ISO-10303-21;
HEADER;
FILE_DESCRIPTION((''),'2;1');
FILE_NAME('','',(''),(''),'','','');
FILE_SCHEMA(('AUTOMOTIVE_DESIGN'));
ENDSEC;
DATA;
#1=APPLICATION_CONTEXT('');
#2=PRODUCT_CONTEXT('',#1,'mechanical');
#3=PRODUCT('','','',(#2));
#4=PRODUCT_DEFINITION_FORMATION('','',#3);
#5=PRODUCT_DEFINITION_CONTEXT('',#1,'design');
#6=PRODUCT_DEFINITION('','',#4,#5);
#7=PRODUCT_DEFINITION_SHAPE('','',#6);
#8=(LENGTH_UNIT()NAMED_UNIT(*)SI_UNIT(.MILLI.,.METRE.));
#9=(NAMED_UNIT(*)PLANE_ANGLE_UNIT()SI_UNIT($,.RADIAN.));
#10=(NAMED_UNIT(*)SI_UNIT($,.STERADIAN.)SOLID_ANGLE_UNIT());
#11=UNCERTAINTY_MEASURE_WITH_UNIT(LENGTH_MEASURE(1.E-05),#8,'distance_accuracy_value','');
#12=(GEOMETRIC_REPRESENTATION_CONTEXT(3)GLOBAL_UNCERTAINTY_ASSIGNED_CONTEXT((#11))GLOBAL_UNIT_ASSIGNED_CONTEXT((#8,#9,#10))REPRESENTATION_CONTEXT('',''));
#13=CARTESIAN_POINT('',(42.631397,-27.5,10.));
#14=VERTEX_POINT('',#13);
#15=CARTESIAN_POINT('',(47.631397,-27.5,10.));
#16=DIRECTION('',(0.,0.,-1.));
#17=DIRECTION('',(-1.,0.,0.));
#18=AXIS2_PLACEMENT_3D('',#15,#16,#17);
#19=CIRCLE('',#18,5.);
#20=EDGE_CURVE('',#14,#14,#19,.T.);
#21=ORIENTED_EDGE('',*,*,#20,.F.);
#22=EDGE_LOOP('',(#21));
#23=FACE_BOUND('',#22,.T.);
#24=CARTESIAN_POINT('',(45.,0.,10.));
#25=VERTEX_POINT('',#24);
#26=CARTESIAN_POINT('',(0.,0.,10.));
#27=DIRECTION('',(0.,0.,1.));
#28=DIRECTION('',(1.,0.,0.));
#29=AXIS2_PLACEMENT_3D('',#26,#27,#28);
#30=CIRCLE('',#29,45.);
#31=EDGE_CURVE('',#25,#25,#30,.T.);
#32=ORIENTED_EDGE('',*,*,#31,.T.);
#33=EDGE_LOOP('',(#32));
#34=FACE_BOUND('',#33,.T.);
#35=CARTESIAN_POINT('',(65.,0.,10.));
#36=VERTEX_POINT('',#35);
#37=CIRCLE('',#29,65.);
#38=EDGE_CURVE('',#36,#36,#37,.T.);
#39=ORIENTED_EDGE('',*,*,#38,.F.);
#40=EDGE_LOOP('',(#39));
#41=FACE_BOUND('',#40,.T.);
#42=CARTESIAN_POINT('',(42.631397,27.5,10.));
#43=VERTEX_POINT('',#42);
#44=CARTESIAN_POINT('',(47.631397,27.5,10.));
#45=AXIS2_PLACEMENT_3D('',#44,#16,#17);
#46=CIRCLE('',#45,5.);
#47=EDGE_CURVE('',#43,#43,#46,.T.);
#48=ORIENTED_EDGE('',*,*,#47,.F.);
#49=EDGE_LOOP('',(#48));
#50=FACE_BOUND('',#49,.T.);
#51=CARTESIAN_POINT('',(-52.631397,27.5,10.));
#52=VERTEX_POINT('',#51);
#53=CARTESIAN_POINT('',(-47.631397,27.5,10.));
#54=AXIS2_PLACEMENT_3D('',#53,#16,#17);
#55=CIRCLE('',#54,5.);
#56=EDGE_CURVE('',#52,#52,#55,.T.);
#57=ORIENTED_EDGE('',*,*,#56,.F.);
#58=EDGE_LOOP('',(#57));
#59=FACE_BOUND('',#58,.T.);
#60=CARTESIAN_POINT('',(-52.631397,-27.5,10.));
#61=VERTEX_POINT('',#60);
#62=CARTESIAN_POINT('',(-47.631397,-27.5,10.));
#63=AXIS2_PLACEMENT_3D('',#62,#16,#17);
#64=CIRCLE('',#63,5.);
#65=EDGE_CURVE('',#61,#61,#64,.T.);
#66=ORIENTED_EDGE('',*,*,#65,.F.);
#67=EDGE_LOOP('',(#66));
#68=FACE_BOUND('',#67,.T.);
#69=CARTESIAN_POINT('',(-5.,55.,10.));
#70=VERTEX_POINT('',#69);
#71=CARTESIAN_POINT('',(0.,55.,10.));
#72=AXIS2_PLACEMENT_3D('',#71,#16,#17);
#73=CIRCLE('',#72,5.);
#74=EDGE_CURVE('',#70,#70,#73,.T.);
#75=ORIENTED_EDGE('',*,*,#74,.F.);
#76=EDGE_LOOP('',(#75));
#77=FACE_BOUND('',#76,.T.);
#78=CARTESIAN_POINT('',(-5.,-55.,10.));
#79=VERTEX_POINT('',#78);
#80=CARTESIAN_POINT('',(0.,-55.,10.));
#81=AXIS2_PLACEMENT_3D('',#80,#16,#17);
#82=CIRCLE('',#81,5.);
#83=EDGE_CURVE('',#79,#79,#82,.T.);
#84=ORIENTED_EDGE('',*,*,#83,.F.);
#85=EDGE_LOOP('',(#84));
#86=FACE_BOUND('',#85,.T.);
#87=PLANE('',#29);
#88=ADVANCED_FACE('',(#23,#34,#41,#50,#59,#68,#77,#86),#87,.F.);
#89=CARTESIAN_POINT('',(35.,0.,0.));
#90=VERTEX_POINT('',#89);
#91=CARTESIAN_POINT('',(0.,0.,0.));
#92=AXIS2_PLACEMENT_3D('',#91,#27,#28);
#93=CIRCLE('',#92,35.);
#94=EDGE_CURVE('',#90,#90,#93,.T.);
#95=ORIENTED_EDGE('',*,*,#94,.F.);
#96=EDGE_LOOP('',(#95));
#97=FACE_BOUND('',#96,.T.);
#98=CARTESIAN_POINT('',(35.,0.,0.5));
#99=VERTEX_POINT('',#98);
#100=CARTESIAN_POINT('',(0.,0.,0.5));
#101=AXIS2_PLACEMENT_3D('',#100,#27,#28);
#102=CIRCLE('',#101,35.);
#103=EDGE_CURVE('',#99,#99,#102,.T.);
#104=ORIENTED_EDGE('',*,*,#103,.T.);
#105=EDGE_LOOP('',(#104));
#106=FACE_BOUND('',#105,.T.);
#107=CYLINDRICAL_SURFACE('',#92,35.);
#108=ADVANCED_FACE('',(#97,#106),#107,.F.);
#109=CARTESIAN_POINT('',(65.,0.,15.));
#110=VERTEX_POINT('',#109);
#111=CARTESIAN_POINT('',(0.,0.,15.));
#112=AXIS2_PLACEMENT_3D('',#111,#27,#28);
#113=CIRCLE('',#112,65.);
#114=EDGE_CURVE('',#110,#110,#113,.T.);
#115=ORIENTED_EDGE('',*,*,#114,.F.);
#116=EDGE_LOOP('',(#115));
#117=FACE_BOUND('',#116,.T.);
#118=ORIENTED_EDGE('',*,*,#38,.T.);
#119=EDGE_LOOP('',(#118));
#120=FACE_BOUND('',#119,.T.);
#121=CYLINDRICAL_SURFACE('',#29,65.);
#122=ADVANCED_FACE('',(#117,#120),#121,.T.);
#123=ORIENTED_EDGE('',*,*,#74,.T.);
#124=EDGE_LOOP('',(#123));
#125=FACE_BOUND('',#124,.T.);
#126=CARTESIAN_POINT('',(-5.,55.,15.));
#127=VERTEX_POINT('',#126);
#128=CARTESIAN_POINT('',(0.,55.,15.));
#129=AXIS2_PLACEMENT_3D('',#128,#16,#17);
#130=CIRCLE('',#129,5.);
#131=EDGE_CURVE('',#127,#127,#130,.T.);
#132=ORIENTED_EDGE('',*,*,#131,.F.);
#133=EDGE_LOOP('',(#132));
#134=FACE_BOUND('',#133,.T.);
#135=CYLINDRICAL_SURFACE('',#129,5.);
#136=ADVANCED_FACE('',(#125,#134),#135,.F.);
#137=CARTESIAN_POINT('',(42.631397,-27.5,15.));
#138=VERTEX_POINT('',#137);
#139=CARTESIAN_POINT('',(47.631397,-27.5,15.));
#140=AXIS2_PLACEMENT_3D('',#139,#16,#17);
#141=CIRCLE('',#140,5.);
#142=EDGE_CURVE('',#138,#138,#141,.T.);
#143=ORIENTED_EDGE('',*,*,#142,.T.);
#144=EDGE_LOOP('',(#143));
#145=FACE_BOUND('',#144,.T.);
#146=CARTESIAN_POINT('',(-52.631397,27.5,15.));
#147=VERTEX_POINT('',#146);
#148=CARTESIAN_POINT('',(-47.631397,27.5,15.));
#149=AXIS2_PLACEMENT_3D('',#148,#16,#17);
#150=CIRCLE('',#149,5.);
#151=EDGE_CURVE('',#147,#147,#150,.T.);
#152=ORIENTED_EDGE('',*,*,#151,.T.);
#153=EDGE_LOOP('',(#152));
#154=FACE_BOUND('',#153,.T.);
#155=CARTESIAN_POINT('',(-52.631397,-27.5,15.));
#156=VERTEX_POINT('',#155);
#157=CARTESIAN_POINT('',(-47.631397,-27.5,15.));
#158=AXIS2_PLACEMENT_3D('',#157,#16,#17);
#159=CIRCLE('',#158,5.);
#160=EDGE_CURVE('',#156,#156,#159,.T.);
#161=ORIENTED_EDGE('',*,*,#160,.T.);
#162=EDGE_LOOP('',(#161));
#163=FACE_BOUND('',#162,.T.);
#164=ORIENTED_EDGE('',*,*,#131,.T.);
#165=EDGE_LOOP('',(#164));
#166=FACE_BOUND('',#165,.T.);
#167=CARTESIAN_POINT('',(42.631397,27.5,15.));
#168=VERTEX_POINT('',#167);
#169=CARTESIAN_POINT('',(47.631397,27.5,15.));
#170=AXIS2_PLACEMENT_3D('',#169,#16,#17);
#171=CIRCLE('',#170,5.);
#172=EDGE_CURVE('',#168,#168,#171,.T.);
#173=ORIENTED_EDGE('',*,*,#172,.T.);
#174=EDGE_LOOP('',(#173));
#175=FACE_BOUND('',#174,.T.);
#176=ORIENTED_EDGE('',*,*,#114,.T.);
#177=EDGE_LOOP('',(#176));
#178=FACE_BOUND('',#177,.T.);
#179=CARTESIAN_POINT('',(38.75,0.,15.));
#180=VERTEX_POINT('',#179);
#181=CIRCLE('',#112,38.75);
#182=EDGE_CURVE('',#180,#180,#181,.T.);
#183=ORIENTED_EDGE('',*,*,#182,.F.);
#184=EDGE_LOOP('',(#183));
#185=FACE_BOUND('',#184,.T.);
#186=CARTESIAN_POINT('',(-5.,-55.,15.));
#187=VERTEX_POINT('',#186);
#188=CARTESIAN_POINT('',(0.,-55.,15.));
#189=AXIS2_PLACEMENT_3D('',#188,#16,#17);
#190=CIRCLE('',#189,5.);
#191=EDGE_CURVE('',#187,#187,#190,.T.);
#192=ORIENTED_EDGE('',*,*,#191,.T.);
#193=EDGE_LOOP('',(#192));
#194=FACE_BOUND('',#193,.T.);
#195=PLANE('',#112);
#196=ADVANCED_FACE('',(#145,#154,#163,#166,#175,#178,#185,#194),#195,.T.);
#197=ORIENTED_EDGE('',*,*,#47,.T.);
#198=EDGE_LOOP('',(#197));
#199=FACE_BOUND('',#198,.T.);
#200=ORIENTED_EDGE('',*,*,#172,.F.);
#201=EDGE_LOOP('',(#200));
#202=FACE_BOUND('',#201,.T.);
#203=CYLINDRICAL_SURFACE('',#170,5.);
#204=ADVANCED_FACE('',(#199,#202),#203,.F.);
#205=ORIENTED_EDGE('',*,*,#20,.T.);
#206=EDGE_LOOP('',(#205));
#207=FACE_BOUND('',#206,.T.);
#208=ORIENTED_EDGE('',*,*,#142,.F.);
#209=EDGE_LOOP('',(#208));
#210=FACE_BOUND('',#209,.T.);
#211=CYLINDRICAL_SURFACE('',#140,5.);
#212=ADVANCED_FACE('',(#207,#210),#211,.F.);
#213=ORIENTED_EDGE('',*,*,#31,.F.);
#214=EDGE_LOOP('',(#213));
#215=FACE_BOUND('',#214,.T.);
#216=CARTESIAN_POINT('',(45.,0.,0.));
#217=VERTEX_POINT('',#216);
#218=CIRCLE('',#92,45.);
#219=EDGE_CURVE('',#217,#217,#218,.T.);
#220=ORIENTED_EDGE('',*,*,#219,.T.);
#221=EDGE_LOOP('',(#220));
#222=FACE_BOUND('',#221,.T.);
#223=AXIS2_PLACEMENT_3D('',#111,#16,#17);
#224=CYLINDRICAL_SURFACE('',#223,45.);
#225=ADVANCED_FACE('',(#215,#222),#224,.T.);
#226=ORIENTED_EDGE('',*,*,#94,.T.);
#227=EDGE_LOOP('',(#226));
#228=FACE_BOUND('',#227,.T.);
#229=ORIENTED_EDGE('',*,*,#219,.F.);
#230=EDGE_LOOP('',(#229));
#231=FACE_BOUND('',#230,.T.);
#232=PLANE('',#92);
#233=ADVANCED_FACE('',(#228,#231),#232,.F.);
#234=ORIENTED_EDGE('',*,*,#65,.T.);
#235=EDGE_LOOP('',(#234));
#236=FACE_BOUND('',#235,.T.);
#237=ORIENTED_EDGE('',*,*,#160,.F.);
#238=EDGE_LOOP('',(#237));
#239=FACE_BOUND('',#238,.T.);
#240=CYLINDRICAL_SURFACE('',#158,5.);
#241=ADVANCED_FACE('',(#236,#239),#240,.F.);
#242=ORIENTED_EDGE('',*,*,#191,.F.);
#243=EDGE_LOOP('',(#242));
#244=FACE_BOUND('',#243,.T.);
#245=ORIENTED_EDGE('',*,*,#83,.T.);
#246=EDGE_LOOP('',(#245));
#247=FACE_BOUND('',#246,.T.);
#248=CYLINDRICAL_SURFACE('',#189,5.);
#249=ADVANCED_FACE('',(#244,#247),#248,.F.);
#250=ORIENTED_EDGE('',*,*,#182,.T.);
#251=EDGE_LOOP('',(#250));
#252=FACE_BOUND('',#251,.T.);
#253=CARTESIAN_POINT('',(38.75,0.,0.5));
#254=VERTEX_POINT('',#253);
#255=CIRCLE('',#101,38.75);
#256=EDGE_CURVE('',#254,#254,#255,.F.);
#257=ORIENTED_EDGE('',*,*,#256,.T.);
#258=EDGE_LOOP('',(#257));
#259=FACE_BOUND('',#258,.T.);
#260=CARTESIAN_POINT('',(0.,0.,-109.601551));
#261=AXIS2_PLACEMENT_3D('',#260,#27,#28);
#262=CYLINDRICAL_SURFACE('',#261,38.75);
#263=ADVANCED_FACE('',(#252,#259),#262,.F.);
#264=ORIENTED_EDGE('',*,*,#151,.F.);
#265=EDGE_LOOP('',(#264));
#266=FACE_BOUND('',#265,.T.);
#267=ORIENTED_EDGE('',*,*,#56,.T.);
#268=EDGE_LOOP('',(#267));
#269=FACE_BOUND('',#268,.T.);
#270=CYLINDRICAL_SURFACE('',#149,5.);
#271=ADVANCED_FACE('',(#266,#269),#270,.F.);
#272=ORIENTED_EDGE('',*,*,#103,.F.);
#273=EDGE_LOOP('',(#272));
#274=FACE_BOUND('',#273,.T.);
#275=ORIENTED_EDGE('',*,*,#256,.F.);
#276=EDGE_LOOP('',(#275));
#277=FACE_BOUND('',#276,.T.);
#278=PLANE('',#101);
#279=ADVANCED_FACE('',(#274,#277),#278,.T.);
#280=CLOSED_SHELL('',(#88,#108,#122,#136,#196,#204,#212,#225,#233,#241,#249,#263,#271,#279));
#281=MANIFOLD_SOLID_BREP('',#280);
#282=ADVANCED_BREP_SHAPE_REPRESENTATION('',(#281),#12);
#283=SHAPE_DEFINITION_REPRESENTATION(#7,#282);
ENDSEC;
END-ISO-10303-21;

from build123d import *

# Parameters (mm, degrees)
SKETCH1_R           = 45
BOSS_EXTRUDE1_DEPTH = 15
SKETCH2_R           = 38.75
CUT_EXTRUDE1_DEPTH  = 14.5
SKETCH3_R           = 35
CUT_EXTRUDE2_DEPTH  = 66.270590621
BOSS_EXTRUDE2_START = -5
SKETCH4_R           = 65
SKETCH4_R_2         = 45
BOSS_EXTRUDE2_DEPTH = 5
SKETCH5_R           = 5
CUT_EXTRUDE3_DEPTH  = 93.466210045


with BuildPart() as part:
    # Sketch1 → Boss-Extrude1 (new body)
    with BuildSketch(Plane.XY):
        Circle(SKETCH1_R)
    extrude(amount=BOSS_EXTRUDE1_DEPTH)

    # Sketch2 → Cut-Extrude1 (cut)
    with BuildSketch(Plane.XY.offset(15)):
        Circle(SKETCH2_R)
    extrude(amount=-CUT_EXTRUDE1_DEPTH, mode=Mode.SUBTRACT)

    # Sketch3 → Cut-Extrude2 (cut, through all)
    with BuildSketch(Plane.XY.offset(0.5)):
        Circle(SKETCH3_R)
    extrude(amount=-CUT_EXTRUDE2_DEPTH, mode=Mode.SUBTRACT)

    # Sketch4 → Boss-Extrude2 (add)
    with BuildSketch(Plane.XY.offset(15).offset(BOSS_EXTRUDE2_START)):
        Circle(SKETCH4_R)
        Circle(SKETCH4_R_2, mode=Mode.SUBTRACT)
    extrude(amount=BOSS_EXTRUDE2_DEPTH)

    # Sketch5 → Cut-Extrude3 (cut, through all)
    with BuildSketch(Plane(origin=(0, 0, 10), x_dir=(-1, 0, 0), z_dir=(0, 0, -1))):
        with Locations((0, 55)):
            Circle(SKETCH5_R)
        with Locations((47.631397208, 27.5)):
            Circle(SKETCH5_R)
        with Locations((47.631397208, -27.5)):
            Circle(SKETCH5_R)
        with Locations((0, -55)):
            Circle(SKETCH5_R)
        with Locations((-47.631397208, -27.5)):
            Circle(SKETCH5_R)
        with Locations((-47.631397208, 27.5)):
            Circle(SKETCH5_R)
    extrude(amount=-CUT_EXTRUDE3_DEPTH, mode=Mode.SUBTRACT)


solid = part.part
